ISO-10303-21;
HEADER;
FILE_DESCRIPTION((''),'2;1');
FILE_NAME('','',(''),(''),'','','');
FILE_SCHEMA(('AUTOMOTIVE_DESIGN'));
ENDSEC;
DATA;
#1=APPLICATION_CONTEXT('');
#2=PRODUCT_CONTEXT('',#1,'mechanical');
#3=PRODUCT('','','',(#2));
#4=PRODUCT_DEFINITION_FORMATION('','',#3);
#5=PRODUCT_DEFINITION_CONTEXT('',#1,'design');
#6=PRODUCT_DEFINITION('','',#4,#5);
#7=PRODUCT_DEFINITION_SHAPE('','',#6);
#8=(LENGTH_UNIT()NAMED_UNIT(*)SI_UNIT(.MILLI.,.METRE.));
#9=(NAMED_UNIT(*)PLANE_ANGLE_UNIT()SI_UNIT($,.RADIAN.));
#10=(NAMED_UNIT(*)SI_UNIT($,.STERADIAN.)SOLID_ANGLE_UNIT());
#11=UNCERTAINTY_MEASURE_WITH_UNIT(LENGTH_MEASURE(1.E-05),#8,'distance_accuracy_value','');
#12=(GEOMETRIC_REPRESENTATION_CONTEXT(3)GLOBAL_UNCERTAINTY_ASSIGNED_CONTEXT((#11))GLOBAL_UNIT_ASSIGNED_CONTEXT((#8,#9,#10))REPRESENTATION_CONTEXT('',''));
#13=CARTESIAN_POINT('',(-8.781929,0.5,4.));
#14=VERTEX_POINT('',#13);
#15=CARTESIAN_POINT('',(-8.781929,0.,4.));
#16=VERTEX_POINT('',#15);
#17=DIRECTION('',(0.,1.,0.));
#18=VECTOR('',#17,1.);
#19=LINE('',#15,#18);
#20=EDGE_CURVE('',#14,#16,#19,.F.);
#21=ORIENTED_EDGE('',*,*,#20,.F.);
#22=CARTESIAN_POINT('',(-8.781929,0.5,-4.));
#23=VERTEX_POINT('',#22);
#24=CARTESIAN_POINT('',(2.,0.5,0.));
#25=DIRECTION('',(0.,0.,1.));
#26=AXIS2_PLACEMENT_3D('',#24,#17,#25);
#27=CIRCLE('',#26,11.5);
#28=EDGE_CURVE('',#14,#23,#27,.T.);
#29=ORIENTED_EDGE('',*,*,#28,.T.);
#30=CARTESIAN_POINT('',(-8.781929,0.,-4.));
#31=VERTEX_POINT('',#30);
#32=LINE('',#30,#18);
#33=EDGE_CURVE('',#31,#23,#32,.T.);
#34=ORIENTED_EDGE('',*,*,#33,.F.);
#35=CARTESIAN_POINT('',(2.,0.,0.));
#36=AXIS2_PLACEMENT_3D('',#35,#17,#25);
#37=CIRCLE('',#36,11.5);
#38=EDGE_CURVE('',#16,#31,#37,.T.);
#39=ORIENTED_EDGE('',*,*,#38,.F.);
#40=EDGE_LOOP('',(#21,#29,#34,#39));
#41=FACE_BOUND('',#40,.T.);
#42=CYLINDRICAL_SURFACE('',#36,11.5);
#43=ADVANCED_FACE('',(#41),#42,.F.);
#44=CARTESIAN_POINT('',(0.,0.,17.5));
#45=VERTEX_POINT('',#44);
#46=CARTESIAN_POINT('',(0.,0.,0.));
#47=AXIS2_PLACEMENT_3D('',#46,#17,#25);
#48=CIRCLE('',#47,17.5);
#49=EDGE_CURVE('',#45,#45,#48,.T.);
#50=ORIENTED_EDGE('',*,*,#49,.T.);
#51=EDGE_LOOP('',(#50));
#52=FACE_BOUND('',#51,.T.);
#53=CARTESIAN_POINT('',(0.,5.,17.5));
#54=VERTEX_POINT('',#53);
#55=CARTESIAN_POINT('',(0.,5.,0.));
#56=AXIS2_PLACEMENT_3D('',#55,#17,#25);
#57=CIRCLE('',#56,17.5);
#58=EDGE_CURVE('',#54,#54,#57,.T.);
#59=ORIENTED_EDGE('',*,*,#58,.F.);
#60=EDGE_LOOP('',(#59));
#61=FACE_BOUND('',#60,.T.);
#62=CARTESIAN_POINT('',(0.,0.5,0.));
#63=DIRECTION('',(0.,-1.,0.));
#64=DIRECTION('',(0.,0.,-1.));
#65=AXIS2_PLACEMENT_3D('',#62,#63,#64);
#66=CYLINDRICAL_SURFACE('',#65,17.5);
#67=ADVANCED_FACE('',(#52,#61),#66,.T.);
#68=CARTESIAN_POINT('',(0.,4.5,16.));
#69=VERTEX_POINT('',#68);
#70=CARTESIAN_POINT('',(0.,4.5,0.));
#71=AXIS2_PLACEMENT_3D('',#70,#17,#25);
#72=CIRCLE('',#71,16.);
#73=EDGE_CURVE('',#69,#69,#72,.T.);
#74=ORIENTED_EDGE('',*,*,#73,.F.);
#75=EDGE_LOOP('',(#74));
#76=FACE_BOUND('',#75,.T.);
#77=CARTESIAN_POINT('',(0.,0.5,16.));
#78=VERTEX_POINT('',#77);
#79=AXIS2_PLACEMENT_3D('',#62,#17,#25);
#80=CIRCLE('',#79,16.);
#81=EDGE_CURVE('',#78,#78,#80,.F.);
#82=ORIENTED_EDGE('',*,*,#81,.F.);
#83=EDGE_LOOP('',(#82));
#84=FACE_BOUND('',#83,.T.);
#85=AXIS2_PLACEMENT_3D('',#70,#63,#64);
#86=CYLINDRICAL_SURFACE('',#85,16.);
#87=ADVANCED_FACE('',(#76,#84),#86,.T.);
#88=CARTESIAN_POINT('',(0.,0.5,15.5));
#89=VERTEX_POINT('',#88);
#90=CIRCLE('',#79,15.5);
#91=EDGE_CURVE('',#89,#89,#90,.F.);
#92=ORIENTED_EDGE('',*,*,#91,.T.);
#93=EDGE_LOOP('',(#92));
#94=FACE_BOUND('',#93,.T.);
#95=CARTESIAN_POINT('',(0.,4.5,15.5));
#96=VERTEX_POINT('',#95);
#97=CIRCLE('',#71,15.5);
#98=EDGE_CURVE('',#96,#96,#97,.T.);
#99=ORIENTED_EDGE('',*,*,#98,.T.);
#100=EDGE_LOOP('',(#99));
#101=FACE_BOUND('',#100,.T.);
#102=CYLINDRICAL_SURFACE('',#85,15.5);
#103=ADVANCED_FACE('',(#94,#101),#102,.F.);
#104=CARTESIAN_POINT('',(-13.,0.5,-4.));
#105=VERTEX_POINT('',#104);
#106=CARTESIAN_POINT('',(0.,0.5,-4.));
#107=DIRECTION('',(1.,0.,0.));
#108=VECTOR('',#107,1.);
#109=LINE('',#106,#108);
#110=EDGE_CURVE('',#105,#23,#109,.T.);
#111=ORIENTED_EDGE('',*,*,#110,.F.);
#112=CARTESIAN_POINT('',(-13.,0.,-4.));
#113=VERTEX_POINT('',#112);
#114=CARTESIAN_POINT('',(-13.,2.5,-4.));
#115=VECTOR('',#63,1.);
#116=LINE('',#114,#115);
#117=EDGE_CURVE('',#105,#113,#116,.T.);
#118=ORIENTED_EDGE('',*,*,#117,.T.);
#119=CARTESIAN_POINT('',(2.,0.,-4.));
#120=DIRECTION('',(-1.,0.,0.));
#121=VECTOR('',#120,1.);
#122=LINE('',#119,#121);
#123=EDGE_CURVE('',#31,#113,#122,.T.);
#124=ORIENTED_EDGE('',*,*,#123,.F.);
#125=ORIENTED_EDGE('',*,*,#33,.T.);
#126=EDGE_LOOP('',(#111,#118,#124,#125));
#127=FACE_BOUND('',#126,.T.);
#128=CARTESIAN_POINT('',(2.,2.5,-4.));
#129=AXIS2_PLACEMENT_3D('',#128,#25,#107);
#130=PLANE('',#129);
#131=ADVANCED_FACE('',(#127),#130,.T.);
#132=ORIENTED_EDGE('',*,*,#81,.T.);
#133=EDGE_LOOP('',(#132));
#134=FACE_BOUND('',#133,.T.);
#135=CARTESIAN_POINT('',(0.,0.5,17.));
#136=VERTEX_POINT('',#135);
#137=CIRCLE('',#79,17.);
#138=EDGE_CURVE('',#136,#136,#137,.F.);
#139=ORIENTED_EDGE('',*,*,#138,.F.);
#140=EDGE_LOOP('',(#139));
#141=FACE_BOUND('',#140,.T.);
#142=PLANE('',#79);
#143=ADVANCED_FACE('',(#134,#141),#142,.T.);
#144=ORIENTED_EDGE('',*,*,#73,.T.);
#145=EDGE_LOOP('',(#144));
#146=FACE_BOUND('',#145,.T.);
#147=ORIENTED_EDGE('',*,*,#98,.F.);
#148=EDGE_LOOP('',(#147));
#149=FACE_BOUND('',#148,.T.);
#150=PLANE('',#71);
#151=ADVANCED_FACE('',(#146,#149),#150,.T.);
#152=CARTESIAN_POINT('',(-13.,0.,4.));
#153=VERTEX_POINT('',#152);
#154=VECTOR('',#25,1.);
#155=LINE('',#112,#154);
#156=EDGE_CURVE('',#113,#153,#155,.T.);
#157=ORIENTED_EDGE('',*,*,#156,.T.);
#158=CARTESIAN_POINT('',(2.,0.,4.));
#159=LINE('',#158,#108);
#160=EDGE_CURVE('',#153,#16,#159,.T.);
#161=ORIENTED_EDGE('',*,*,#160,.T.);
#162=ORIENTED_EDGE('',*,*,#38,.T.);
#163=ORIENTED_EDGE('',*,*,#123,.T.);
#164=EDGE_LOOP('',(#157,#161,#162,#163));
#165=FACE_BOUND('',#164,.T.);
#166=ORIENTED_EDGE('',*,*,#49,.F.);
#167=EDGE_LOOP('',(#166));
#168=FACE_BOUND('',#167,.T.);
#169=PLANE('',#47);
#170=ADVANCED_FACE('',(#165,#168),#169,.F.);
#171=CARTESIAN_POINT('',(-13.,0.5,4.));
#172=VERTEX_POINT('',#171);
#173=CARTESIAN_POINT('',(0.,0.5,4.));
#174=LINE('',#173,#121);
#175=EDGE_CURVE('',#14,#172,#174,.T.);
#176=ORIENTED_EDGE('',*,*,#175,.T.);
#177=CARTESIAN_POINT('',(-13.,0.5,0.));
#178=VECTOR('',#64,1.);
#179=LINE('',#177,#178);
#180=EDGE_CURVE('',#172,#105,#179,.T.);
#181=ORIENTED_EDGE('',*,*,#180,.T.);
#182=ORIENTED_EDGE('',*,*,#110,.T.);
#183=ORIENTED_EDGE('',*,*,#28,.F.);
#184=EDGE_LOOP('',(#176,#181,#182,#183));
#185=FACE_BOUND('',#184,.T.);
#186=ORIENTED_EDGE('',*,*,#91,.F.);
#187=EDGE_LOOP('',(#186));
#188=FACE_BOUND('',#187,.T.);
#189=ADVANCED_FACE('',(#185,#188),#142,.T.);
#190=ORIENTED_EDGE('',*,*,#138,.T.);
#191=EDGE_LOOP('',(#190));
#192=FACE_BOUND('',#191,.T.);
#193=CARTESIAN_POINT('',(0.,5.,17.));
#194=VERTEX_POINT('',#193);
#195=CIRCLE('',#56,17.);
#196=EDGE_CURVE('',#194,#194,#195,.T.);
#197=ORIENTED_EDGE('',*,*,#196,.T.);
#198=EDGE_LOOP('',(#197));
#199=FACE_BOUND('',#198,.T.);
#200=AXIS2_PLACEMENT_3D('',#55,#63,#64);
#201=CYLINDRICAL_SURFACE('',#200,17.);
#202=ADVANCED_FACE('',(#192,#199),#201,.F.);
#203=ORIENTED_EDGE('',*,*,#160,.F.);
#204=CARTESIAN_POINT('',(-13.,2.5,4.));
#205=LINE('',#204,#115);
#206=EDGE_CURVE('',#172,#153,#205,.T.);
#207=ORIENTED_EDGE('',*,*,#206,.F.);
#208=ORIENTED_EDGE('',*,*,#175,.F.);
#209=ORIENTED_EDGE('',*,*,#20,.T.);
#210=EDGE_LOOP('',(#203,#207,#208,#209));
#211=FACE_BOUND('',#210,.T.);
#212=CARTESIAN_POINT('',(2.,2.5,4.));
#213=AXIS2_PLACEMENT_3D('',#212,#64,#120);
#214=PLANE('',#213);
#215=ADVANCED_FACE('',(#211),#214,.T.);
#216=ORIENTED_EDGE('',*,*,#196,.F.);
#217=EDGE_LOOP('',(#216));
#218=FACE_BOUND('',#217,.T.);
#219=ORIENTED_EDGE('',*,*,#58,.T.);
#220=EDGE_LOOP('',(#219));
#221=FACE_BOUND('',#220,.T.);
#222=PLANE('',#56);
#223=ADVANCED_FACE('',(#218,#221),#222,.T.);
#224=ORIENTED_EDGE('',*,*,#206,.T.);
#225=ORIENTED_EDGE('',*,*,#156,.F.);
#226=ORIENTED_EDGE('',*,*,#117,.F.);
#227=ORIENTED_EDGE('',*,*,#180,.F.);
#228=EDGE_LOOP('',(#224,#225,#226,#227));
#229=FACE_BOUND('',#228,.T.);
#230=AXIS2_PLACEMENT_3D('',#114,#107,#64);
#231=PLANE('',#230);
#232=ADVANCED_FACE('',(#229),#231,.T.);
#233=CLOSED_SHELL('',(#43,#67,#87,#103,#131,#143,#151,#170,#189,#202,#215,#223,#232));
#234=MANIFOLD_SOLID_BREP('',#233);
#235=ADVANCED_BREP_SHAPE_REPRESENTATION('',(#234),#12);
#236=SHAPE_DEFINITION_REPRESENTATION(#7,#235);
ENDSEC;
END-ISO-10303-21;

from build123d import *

# Parameters (mm, degrees)
SKETCH1_R           = 17.5
BOSS_EXTRUDE1_DEPTH = 0.5
SKETCH2_R           = 11.5
CUT_EXTRUDE1_DEPTH  = 0.5
SKETCH3_W           = 15
SKETCH3_H           = 8
CUT_EXTRUDE4_DEPTH  = 2.5
SKETCH4_R           = 16
SKETCH4_R_2         = 15.5
BOSS_EXTRUDE2_DEPTH = 4.5
SKETCH6_R           = 17.5
SKETCH6_R_2         = 17
BOSS_EXTRUDE4_DEPTH = 4.5


with BuildPart() as part:
    # Sketch1 → Boss-Extrude1 (new body)
    with BuildSketch(Plane(origin=(0, 0, 0), x_dir=(1, 0, 0), z_dir=(0, 1, 0))):
        with Locations(Location((0, 0, 0), (0, 0, 270))):
            Circle(SKETCH1_R)
    extrude(amount=BOSS_EXTRUDE1_DEPTH)

    # Sketch2 → Cut-Extrude1 (cut)
    with BuildSketch(Plane(origin=(0, 0.5, 0), x_dir=(1, 0, 0), z_dir=(0, 1, 0))):
        with Locations(Location((2, 0, 0), (0, 0, 270))):
            Circle(SKETCH2_R)
    extrude(amount=-CUT_EXTRUDE1_DEPTH, mode=Mode.SUBTRACT)

    # Sketch3 → Cut-Extrude4 (cut)
    with BuildSketch(Plane(origin=(0, 0, 0), x_dir=(1, 0, 0), z_dir=(0, 1, 0))):
        with Locations((-5.5, 0)):
            Rectangle(SKETCH3_W, SKETCH3_H)
    extrude(amount=CUT_EXTRUDE4_DEPTH, mode=Mode.SUBTRACT)

    # Sketch4 → Boss-Extrude2 (add)
    with BuildSketch(Plane(origin=(0, 0, 0), x_dir=(1, 0, 0), z_dir=(0, 1, 0))):
        with Locations(Location((0, 0, 0), (0, 0, 270))):
            Circle(SKETCH4_R)
        with Locations(Location((0, 0, 0), (0, 0, 270))):
            Circle(SKETCH4_R_2, mode=Mode.SUBTRACT)
    extrude(amount=BOSS_EXTRUDE2_DEPTH)

    # Sketch6 → Boss-Extrude4 (add)
    with BuildSketch(Plane(origin=(0, 0.5, 0), x_dir=(1, 0, 0), z_dir=(0, 1, 0))):
        with Locations(Location((0, 0, 0), (0, 0, 270))):
            Circle(SKETCH6_R)
        with Locations(Location((0, 0, 0), (0, 0, 270))):
            Circle(SKETCH6_R_2, mode=Mode.SUBTRACT)
    extrude(amount=BOSS_EXTRUDE4_DEPTH)


solid = part.part
